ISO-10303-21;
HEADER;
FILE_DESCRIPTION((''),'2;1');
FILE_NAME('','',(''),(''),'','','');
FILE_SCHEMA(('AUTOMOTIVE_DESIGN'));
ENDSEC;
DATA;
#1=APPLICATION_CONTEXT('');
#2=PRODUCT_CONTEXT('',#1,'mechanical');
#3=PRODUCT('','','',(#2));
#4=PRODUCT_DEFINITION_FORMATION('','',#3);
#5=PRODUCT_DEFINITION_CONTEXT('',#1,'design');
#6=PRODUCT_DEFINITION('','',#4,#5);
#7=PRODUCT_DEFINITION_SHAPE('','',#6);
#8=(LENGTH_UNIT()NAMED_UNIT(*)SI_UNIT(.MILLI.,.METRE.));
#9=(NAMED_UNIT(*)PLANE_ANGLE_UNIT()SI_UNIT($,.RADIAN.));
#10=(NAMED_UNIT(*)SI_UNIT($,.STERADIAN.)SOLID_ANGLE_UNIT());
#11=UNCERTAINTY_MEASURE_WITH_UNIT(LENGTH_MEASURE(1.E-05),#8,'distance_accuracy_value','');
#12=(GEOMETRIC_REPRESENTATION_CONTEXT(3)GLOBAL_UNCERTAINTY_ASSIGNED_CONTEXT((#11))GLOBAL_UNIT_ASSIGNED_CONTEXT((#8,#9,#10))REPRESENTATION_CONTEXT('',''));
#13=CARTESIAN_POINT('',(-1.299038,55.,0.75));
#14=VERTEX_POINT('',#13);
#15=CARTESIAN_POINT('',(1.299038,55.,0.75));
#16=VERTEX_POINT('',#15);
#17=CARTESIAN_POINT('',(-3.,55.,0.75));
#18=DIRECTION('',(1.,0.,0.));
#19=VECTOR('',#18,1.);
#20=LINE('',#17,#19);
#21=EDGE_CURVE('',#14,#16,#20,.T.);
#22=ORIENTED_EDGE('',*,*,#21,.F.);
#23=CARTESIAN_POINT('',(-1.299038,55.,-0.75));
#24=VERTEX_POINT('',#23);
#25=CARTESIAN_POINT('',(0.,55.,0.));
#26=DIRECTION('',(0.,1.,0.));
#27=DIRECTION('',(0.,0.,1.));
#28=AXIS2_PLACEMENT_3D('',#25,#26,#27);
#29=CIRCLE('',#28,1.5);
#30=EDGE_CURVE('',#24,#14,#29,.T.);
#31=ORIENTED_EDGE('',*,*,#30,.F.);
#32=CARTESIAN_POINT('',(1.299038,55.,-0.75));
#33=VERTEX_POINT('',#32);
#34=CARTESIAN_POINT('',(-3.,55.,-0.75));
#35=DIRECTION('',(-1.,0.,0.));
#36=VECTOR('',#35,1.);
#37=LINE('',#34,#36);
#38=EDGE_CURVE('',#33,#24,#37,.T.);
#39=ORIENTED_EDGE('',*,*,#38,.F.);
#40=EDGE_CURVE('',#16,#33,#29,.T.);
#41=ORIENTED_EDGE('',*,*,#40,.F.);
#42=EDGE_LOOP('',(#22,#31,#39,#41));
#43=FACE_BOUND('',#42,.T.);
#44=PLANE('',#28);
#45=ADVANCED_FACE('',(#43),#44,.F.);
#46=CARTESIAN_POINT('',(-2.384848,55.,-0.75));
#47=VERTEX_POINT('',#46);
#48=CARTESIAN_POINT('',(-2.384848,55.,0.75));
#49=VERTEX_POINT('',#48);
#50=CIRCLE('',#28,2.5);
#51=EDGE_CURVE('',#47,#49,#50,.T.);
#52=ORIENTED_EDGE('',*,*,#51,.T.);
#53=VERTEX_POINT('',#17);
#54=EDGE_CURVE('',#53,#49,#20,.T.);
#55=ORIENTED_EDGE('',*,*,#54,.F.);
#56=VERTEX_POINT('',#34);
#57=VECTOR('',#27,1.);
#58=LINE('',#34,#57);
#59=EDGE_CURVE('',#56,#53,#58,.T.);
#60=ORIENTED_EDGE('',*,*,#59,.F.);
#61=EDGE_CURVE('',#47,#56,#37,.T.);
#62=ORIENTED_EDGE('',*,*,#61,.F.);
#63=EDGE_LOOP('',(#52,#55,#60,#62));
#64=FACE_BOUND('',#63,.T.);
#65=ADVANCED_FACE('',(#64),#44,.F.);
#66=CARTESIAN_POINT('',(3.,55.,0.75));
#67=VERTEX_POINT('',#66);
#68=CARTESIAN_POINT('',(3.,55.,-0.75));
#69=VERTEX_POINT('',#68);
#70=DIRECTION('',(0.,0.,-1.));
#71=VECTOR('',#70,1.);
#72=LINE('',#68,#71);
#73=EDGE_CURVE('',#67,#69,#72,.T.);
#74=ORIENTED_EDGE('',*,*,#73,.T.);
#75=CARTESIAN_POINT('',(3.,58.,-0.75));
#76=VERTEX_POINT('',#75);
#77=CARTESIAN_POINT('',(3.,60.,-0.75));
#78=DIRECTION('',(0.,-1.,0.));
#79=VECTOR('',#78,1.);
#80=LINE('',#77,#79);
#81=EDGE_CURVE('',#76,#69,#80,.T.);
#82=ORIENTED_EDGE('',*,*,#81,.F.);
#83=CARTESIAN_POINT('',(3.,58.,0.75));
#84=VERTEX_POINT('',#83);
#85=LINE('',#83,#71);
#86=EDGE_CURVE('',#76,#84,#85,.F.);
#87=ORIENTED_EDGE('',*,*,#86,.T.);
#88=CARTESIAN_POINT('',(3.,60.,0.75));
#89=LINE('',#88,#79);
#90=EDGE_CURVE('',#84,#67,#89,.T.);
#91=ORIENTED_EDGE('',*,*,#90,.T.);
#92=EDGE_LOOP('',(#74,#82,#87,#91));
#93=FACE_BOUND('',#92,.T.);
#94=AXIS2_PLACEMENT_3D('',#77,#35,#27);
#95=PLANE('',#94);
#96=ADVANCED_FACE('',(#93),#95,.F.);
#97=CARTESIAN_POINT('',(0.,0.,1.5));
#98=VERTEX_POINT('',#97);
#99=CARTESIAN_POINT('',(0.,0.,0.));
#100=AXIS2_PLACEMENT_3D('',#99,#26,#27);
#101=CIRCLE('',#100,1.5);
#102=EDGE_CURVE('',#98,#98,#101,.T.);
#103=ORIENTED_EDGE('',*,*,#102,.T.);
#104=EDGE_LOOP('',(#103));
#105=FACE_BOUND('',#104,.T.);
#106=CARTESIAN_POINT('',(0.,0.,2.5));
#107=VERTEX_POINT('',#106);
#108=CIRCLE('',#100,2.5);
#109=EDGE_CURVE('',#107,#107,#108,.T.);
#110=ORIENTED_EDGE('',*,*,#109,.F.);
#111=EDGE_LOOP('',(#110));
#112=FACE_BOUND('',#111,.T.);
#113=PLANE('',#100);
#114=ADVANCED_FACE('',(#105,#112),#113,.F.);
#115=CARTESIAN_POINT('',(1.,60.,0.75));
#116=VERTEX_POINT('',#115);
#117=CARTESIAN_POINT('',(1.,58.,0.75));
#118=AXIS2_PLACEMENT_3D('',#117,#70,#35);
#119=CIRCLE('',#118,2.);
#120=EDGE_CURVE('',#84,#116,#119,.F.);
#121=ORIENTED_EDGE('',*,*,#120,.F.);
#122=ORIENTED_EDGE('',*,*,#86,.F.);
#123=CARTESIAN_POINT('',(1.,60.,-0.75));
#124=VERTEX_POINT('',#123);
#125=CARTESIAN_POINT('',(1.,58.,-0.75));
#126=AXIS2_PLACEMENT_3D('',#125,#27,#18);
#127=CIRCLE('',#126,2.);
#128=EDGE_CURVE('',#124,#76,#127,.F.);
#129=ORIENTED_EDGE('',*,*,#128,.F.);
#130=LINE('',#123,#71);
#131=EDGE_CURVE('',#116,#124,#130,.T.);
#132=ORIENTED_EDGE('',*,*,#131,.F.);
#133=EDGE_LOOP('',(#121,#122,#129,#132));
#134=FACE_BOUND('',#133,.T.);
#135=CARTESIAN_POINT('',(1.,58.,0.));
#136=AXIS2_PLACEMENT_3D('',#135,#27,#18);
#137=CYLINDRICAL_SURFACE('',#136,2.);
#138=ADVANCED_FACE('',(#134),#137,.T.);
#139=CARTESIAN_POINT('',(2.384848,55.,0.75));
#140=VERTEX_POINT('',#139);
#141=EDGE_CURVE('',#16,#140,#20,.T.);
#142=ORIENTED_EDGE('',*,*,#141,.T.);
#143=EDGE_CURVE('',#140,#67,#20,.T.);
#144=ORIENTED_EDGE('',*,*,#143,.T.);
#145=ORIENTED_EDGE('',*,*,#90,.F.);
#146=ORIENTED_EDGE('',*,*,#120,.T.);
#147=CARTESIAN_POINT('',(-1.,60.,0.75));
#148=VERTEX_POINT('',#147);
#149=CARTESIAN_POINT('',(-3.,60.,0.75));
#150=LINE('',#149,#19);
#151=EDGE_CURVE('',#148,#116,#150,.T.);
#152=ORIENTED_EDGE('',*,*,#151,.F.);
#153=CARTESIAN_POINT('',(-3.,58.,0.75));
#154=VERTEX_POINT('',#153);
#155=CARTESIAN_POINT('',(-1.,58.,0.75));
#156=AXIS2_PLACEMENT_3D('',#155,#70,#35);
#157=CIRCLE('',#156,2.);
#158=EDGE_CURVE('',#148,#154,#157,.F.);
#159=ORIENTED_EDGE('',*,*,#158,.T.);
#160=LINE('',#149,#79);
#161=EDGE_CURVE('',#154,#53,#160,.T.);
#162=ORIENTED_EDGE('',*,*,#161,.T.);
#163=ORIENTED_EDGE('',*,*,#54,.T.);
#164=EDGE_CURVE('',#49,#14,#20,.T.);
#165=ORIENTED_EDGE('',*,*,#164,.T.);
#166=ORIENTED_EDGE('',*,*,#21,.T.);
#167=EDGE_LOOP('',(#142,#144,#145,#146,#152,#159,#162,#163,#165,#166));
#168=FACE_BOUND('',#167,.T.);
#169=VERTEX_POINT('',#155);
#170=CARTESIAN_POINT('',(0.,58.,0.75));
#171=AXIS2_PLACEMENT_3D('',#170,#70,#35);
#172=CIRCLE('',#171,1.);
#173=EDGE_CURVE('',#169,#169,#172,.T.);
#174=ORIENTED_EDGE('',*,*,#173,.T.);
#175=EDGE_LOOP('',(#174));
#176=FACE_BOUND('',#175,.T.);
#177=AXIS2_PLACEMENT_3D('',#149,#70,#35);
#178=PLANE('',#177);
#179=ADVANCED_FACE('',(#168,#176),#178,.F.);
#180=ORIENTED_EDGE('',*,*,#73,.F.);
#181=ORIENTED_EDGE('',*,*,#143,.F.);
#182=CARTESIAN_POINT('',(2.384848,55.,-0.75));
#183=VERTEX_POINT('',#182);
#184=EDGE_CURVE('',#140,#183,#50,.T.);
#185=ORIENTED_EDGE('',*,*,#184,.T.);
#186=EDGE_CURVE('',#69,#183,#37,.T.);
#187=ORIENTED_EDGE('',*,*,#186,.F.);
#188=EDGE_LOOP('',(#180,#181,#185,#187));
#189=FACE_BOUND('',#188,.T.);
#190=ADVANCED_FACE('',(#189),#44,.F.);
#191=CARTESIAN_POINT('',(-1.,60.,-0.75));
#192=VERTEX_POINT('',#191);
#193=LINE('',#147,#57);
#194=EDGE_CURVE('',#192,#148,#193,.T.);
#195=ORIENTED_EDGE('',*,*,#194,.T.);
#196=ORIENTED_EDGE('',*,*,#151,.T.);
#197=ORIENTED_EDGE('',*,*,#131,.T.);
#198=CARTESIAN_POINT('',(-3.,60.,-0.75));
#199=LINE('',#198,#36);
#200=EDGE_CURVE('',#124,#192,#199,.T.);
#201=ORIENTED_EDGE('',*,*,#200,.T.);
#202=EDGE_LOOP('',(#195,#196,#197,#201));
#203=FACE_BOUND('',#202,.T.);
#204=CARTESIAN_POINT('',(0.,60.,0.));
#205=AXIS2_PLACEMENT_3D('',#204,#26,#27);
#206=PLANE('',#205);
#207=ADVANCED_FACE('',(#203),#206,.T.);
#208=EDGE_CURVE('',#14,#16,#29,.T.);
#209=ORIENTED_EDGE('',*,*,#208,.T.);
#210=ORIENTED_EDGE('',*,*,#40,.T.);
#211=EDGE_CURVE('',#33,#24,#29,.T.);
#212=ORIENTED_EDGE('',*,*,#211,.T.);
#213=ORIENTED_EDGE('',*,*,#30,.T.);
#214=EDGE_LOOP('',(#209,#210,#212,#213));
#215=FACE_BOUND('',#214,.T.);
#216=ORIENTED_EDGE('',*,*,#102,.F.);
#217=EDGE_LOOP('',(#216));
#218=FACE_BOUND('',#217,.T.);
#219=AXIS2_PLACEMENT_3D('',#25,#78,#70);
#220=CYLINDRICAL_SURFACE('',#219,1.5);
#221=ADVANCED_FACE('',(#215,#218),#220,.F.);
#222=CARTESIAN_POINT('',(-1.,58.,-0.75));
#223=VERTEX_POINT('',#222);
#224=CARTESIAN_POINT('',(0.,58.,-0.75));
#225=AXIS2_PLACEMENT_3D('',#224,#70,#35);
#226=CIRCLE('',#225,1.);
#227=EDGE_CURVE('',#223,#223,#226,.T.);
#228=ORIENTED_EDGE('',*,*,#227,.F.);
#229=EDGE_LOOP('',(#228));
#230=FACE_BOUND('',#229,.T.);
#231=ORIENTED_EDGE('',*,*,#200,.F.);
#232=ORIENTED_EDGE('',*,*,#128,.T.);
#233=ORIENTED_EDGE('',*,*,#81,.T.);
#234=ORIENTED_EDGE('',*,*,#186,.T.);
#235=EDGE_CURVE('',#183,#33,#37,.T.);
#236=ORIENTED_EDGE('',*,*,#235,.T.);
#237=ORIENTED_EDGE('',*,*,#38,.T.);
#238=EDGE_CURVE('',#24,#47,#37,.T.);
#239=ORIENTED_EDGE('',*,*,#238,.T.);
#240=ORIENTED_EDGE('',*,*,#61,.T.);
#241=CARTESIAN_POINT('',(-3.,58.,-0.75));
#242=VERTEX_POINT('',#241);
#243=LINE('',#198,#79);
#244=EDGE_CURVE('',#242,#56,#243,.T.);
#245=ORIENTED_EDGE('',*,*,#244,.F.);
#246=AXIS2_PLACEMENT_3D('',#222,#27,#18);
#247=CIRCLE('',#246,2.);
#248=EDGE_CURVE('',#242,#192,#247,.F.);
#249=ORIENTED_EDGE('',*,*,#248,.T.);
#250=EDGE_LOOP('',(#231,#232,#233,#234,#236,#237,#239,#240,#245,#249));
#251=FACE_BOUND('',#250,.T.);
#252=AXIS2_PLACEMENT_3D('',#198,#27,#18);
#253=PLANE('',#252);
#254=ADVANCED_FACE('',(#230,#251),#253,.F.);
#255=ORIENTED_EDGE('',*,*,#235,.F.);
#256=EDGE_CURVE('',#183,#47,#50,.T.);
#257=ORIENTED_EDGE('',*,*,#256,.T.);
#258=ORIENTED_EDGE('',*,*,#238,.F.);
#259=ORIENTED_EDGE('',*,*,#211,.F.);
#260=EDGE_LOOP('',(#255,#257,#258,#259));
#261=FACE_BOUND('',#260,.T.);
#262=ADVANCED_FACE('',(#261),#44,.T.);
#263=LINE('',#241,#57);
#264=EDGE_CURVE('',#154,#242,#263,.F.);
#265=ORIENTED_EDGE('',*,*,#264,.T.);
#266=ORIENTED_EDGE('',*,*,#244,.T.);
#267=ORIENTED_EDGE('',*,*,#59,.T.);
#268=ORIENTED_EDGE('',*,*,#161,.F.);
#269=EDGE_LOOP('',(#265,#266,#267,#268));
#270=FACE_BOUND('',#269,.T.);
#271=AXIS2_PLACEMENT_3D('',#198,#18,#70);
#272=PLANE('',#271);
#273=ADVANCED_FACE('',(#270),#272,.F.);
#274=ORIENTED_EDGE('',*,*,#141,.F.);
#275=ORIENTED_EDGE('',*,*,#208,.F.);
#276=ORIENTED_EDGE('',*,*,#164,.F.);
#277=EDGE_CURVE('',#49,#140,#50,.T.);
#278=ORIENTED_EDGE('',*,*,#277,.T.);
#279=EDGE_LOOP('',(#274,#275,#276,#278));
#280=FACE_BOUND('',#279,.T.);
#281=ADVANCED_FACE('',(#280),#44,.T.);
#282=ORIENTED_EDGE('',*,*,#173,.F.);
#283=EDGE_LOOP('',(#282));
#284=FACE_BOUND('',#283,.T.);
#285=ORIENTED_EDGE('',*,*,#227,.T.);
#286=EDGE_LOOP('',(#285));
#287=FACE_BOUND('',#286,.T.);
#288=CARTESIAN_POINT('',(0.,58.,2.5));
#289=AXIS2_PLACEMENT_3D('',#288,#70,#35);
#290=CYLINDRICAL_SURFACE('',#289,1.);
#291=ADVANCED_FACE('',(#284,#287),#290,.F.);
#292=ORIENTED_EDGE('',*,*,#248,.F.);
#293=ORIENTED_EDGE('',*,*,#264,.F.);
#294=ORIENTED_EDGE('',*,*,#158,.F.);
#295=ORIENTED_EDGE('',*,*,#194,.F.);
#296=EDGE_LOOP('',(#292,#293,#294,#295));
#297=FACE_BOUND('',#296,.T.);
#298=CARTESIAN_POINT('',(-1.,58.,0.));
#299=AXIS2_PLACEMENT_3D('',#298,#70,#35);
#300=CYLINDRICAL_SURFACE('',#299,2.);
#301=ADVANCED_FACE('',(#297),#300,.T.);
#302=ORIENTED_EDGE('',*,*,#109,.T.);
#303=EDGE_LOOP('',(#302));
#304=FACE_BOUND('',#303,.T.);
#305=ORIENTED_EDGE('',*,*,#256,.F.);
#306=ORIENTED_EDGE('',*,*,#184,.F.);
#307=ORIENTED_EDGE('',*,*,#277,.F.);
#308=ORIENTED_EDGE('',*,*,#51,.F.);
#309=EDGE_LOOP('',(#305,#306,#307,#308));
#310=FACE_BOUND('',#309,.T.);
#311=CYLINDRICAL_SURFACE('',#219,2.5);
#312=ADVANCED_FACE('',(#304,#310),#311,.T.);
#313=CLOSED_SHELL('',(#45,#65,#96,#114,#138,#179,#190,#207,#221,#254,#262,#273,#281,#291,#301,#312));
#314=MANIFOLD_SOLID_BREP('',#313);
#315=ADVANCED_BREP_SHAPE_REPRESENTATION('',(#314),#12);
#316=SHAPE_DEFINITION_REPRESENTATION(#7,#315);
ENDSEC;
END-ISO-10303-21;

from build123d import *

# Parameters (mm, degrees)
SKETCH1_R           = 2.5
SKETCH1_R_2         = 1.5
BOSS_EXTRUDE1_DEPTH = 55
SKETCH2_W           = 6
SKETCH2_H           = 1.5
BOSS_EXTRUDE2_DEPTH = 5
SKETCH3_R           = 1
CUT_EXTRUDE1_DEPTH  = 4.25
FILLET1_R           = 2


with BuildPart() as part:
    # Sketch1 → Boss-Extrude1 (new body)
    with BuildSketch(Plane(origin=(0, 0, 0), x_dir=(1, 0, 0), z_dir=(0, 1, 0))):
        Circle(SKETCH1_R)
        Circle(SKETCH1_R_2, mode=Mode.SUBTRACT)
    extrude(amount=BOSS_EXTRUDE1_DEPTH)

    # Sketch2 → Boss-Extrude2 (add)
    with BuildSketch(Plane(origin=(0, 55, 0), x_dir=(1, 0, 0), z_dir=(0, 1, 0))):
        Rectangle(SKETCH2_W, SKETCH2_H)
    extrude(amount=BOSS_EXTRUDE2_DEPTH)

    # Sketch3 → Cut-Extrude1 (cut, through all)
    with BuildSketch(Plane(origin=(0, 0, -0.75), x_dir=(-1, 0, 0), z_dir=(0, 0, -1))):
        with Locations((0, 58)):
            Circle(SKETCH3_R)
    extrude(amount=-CUT_EXTRUDE1_DEPTH, mode=Mode.SUBTRACT)

    # Fillet1
    fillet1_edges = [part.edges().sort_by_distance(p)[0] for p in [
        (3, 60, 0),
        (-3, 60, 0),
    ]]
    fillet(fillet1_edges, radius=FILLET1_R)


solid = part.part
